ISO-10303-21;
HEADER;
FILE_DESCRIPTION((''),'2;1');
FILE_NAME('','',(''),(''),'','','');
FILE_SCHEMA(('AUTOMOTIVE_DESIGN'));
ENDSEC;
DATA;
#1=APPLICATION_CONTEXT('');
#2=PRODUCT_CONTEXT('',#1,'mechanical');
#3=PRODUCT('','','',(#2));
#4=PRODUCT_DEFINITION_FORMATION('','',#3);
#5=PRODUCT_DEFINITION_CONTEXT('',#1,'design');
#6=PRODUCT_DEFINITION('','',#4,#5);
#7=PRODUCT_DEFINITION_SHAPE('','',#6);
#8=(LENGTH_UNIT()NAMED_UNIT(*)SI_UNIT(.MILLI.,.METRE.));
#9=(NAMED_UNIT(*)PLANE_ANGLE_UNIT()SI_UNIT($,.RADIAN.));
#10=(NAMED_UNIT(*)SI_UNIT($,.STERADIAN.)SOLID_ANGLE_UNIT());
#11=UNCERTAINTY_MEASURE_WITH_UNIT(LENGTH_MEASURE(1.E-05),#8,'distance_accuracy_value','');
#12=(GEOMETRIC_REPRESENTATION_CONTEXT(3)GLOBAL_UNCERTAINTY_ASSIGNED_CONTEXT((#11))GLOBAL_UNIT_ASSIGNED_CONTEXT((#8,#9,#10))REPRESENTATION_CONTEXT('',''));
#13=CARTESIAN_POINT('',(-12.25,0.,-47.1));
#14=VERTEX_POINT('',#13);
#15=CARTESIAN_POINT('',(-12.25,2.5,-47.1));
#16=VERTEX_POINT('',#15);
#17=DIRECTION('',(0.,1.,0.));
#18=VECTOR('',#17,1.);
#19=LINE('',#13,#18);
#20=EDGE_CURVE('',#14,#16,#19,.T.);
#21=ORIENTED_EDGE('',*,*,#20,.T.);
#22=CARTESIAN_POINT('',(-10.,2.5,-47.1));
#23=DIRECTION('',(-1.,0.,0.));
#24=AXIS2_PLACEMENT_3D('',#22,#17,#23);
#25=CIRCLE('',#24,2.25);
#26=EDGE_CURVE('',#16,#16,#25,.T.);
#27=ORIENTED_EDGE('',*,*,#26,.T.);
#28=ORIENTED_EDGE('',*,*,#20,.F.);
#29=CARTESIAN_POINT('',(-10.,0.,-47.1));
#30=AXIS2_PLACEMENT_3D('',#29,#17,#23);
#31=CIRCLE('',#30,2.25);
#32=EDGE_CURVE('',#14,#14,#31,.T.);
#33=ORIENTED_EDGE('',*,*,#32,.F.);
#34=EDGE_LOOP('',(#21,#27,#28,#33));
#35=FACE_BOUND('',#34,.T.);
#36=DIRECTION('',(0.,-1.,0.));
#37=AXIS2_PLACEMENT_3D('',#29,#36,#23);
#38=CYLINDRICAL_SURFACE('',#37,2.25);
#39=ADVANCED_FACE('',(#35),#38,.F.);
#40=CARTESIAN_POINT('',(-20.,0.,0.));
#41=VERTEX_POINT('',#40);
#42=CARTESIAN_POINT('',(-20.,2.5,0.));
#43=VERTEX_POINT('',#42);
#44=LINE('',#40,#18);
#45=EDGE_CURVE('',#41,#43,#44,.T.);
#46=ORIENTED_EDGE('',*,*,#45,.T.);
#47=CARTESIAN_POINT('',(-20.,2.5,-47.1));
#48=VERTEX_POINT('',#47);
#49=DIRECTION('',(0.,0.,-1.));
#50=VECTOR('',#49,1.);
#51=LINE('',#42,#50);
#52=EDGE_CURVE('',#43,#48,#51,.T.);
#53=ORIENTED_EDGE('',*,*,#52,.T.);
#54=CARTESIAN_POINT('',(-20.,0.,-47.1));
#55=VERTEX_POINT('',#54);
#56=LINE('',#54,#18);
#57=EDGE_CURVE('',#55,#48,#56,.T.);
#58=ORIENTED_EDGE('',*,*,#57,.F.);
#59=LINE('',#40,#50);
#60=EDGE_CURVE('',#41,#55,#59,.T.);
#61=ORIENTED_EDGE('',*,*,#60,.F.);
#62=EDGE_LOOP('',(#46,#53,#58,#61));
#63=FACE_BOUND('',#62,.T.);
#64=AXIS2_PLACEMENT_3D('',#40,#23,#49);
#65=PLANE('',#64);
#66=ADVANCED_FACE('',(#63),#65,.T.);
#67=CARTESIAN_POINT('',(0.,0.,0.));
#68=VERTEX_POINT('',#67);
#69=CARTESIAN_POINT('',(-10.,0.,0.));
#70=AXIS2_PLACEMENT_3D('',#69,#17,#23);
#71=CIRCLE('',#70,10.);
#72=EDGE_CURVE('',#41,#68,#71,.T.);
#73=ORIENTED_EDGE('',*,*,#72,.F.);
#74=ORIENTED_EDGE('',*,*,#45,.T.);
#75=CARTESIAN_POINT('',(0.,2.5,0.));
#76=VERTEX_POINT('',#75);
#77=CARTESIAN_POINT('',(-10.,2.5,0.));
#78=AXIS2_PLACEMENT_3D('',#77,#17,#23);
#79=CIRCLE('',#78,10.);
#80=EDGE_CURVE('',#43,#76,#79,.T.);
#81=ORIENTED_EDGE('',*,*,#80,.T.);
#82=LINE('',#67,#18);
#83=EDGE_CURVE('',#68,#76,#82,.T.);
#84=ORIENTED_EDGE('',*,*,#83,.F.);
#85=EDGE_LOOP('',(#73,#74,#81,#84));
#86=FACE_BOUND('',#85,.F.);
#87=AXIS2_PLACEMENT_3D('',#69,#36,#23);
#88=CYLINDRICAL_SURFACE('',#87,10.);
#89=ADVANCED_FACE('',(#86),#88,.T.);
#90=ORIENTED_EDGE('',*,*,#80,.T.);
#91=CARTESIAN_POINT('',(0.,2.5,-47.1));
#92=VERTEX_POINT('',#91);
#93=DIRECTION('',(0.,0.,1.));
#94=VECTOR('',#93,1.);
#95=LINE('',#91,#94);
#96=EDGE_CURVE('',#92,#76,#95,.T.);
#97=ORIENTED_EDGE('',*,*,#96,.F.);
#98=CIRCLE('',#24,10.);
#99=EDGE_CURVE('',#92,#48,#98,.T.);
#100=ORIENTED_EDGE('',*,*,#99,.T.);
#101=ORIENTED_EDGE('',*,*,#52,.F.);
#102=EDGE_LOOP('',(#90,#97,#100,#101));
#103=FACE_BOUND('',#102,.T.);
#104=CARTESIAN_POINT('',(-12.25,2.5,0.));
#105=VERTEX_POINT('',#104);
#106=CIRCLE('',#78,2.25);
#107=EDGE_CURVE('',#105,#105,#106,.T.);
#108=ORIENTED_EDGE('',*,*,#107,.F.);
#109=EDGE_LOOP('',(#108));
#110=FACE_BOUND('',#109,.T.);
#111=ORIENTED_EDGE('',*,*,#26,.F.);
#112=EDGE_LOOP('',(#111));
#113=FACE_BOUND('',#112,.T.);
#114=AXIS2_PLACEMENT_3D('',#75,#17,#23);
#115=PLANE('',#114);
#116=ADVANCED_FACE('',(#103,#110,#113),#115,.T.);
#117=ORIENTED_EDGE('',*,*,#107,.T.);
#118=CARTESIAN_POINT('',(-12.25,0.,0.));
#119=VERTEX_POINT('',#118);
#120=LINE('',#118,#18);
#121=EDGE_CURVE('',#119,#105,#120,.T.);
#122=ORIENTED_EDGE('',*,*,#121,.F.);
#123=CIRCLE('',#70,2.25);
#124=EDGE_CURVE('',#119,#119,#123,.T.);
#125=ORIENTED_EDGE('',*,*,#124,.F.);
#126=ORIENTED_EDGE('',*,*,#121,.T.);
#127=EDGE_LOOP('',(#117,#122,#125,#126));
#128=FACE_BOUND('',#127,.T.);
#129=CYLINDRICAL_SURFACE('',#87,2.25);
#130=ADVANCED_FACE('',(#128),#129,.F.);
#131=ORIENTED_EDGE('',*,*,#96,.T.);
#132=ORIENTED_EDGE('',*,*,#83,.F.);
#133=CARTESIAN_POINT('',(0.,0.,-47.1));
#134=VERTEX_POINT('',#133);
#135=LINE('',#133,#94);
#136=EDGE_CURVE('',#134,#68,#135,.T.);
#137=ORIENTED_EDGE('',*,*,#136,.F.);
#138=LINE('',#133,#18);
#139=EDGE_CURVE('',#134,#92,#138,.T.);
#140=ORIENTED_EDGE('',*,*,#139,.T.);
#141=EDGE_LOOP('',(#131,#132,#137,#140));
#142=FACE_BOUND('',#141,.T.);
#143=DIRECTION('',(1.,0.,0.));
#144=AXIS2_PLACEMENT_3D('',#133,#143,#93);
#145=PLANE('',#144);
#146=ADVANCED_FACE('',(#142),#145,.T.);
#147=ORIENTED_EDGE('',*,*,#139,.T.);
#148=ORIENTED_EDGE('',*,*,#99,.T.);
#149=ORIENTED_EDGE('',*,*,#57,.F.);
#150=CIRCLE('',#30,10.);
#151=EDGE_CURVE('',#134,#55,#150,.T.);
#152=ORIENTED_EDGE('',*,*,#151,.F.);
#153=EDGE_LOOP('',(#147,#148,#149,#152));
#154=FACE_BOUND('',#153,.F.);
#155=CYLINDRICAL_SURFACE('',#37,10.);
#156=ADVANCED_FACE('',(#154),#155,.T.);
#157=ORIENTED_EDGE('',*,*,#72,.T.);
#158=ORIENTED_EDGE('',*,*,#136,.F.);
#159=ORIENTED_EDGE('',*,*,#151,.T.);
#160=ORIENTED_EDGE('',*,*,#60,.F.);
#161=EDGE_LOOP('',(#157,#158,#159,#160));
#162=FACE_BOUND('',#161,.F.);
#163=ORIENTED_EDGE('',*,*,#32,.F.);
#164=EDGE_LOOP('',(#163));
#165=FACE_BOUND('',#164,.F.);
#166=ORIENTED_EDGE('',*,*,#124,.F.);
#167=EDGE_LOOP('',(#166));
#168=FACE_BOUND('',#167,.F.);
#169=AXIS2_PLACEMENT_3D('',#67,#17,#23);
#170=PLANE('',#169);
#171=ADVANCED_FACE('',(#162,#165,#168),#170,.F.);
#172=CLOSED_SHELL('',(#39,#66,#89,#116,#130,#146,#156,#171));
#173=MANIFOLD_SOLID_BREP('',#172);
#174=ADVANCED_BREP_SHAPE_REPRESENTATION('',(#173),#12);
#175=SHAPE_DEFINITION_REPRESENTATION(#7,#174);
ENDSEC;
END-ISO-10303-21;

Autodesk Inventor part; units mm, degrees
ref_plane "YZ Plane" through (0, 0, 0) normal (1, 0, 0) x (0, 1, 0)
ref_plane "XZ Plane" through (0, 0, 0) normal (0, 1, 0) x (-1, 0, 0)
ref_plane "XY Plane" through (0, 0, 0) normal (0, 0, 1) x (1, 0, 0)
sketch "スケッチ1" plane through (0, 0, 0) normal (0, 1, 0) x (-1, 0, 0)
  line L0 (0, 0) -> (20, 0) construction
  line L1 (20, 0) -> (20, -47.1)
  line L2 (20, -47.1) -> (0, -47.1) construction
  line L3 (0, -47.1) -> (0, 0)
  circle A0 centre (10, 0) radius 10
  circle A1 centre (10, -47.1) radius 10
  circle A2 centre (10, 0) radius 2.25
  circle A3 centre (10, -47.1) radius 2.25
  dimension "d0" = 47.1
  dimension "d1" = 20
  dimension "d4" = 4.5
  dimension "d5" = 4.5
extrude "押し出し1" add sketch "スケッチ1" along normal blind 2.5
properties part number "ベルト"
